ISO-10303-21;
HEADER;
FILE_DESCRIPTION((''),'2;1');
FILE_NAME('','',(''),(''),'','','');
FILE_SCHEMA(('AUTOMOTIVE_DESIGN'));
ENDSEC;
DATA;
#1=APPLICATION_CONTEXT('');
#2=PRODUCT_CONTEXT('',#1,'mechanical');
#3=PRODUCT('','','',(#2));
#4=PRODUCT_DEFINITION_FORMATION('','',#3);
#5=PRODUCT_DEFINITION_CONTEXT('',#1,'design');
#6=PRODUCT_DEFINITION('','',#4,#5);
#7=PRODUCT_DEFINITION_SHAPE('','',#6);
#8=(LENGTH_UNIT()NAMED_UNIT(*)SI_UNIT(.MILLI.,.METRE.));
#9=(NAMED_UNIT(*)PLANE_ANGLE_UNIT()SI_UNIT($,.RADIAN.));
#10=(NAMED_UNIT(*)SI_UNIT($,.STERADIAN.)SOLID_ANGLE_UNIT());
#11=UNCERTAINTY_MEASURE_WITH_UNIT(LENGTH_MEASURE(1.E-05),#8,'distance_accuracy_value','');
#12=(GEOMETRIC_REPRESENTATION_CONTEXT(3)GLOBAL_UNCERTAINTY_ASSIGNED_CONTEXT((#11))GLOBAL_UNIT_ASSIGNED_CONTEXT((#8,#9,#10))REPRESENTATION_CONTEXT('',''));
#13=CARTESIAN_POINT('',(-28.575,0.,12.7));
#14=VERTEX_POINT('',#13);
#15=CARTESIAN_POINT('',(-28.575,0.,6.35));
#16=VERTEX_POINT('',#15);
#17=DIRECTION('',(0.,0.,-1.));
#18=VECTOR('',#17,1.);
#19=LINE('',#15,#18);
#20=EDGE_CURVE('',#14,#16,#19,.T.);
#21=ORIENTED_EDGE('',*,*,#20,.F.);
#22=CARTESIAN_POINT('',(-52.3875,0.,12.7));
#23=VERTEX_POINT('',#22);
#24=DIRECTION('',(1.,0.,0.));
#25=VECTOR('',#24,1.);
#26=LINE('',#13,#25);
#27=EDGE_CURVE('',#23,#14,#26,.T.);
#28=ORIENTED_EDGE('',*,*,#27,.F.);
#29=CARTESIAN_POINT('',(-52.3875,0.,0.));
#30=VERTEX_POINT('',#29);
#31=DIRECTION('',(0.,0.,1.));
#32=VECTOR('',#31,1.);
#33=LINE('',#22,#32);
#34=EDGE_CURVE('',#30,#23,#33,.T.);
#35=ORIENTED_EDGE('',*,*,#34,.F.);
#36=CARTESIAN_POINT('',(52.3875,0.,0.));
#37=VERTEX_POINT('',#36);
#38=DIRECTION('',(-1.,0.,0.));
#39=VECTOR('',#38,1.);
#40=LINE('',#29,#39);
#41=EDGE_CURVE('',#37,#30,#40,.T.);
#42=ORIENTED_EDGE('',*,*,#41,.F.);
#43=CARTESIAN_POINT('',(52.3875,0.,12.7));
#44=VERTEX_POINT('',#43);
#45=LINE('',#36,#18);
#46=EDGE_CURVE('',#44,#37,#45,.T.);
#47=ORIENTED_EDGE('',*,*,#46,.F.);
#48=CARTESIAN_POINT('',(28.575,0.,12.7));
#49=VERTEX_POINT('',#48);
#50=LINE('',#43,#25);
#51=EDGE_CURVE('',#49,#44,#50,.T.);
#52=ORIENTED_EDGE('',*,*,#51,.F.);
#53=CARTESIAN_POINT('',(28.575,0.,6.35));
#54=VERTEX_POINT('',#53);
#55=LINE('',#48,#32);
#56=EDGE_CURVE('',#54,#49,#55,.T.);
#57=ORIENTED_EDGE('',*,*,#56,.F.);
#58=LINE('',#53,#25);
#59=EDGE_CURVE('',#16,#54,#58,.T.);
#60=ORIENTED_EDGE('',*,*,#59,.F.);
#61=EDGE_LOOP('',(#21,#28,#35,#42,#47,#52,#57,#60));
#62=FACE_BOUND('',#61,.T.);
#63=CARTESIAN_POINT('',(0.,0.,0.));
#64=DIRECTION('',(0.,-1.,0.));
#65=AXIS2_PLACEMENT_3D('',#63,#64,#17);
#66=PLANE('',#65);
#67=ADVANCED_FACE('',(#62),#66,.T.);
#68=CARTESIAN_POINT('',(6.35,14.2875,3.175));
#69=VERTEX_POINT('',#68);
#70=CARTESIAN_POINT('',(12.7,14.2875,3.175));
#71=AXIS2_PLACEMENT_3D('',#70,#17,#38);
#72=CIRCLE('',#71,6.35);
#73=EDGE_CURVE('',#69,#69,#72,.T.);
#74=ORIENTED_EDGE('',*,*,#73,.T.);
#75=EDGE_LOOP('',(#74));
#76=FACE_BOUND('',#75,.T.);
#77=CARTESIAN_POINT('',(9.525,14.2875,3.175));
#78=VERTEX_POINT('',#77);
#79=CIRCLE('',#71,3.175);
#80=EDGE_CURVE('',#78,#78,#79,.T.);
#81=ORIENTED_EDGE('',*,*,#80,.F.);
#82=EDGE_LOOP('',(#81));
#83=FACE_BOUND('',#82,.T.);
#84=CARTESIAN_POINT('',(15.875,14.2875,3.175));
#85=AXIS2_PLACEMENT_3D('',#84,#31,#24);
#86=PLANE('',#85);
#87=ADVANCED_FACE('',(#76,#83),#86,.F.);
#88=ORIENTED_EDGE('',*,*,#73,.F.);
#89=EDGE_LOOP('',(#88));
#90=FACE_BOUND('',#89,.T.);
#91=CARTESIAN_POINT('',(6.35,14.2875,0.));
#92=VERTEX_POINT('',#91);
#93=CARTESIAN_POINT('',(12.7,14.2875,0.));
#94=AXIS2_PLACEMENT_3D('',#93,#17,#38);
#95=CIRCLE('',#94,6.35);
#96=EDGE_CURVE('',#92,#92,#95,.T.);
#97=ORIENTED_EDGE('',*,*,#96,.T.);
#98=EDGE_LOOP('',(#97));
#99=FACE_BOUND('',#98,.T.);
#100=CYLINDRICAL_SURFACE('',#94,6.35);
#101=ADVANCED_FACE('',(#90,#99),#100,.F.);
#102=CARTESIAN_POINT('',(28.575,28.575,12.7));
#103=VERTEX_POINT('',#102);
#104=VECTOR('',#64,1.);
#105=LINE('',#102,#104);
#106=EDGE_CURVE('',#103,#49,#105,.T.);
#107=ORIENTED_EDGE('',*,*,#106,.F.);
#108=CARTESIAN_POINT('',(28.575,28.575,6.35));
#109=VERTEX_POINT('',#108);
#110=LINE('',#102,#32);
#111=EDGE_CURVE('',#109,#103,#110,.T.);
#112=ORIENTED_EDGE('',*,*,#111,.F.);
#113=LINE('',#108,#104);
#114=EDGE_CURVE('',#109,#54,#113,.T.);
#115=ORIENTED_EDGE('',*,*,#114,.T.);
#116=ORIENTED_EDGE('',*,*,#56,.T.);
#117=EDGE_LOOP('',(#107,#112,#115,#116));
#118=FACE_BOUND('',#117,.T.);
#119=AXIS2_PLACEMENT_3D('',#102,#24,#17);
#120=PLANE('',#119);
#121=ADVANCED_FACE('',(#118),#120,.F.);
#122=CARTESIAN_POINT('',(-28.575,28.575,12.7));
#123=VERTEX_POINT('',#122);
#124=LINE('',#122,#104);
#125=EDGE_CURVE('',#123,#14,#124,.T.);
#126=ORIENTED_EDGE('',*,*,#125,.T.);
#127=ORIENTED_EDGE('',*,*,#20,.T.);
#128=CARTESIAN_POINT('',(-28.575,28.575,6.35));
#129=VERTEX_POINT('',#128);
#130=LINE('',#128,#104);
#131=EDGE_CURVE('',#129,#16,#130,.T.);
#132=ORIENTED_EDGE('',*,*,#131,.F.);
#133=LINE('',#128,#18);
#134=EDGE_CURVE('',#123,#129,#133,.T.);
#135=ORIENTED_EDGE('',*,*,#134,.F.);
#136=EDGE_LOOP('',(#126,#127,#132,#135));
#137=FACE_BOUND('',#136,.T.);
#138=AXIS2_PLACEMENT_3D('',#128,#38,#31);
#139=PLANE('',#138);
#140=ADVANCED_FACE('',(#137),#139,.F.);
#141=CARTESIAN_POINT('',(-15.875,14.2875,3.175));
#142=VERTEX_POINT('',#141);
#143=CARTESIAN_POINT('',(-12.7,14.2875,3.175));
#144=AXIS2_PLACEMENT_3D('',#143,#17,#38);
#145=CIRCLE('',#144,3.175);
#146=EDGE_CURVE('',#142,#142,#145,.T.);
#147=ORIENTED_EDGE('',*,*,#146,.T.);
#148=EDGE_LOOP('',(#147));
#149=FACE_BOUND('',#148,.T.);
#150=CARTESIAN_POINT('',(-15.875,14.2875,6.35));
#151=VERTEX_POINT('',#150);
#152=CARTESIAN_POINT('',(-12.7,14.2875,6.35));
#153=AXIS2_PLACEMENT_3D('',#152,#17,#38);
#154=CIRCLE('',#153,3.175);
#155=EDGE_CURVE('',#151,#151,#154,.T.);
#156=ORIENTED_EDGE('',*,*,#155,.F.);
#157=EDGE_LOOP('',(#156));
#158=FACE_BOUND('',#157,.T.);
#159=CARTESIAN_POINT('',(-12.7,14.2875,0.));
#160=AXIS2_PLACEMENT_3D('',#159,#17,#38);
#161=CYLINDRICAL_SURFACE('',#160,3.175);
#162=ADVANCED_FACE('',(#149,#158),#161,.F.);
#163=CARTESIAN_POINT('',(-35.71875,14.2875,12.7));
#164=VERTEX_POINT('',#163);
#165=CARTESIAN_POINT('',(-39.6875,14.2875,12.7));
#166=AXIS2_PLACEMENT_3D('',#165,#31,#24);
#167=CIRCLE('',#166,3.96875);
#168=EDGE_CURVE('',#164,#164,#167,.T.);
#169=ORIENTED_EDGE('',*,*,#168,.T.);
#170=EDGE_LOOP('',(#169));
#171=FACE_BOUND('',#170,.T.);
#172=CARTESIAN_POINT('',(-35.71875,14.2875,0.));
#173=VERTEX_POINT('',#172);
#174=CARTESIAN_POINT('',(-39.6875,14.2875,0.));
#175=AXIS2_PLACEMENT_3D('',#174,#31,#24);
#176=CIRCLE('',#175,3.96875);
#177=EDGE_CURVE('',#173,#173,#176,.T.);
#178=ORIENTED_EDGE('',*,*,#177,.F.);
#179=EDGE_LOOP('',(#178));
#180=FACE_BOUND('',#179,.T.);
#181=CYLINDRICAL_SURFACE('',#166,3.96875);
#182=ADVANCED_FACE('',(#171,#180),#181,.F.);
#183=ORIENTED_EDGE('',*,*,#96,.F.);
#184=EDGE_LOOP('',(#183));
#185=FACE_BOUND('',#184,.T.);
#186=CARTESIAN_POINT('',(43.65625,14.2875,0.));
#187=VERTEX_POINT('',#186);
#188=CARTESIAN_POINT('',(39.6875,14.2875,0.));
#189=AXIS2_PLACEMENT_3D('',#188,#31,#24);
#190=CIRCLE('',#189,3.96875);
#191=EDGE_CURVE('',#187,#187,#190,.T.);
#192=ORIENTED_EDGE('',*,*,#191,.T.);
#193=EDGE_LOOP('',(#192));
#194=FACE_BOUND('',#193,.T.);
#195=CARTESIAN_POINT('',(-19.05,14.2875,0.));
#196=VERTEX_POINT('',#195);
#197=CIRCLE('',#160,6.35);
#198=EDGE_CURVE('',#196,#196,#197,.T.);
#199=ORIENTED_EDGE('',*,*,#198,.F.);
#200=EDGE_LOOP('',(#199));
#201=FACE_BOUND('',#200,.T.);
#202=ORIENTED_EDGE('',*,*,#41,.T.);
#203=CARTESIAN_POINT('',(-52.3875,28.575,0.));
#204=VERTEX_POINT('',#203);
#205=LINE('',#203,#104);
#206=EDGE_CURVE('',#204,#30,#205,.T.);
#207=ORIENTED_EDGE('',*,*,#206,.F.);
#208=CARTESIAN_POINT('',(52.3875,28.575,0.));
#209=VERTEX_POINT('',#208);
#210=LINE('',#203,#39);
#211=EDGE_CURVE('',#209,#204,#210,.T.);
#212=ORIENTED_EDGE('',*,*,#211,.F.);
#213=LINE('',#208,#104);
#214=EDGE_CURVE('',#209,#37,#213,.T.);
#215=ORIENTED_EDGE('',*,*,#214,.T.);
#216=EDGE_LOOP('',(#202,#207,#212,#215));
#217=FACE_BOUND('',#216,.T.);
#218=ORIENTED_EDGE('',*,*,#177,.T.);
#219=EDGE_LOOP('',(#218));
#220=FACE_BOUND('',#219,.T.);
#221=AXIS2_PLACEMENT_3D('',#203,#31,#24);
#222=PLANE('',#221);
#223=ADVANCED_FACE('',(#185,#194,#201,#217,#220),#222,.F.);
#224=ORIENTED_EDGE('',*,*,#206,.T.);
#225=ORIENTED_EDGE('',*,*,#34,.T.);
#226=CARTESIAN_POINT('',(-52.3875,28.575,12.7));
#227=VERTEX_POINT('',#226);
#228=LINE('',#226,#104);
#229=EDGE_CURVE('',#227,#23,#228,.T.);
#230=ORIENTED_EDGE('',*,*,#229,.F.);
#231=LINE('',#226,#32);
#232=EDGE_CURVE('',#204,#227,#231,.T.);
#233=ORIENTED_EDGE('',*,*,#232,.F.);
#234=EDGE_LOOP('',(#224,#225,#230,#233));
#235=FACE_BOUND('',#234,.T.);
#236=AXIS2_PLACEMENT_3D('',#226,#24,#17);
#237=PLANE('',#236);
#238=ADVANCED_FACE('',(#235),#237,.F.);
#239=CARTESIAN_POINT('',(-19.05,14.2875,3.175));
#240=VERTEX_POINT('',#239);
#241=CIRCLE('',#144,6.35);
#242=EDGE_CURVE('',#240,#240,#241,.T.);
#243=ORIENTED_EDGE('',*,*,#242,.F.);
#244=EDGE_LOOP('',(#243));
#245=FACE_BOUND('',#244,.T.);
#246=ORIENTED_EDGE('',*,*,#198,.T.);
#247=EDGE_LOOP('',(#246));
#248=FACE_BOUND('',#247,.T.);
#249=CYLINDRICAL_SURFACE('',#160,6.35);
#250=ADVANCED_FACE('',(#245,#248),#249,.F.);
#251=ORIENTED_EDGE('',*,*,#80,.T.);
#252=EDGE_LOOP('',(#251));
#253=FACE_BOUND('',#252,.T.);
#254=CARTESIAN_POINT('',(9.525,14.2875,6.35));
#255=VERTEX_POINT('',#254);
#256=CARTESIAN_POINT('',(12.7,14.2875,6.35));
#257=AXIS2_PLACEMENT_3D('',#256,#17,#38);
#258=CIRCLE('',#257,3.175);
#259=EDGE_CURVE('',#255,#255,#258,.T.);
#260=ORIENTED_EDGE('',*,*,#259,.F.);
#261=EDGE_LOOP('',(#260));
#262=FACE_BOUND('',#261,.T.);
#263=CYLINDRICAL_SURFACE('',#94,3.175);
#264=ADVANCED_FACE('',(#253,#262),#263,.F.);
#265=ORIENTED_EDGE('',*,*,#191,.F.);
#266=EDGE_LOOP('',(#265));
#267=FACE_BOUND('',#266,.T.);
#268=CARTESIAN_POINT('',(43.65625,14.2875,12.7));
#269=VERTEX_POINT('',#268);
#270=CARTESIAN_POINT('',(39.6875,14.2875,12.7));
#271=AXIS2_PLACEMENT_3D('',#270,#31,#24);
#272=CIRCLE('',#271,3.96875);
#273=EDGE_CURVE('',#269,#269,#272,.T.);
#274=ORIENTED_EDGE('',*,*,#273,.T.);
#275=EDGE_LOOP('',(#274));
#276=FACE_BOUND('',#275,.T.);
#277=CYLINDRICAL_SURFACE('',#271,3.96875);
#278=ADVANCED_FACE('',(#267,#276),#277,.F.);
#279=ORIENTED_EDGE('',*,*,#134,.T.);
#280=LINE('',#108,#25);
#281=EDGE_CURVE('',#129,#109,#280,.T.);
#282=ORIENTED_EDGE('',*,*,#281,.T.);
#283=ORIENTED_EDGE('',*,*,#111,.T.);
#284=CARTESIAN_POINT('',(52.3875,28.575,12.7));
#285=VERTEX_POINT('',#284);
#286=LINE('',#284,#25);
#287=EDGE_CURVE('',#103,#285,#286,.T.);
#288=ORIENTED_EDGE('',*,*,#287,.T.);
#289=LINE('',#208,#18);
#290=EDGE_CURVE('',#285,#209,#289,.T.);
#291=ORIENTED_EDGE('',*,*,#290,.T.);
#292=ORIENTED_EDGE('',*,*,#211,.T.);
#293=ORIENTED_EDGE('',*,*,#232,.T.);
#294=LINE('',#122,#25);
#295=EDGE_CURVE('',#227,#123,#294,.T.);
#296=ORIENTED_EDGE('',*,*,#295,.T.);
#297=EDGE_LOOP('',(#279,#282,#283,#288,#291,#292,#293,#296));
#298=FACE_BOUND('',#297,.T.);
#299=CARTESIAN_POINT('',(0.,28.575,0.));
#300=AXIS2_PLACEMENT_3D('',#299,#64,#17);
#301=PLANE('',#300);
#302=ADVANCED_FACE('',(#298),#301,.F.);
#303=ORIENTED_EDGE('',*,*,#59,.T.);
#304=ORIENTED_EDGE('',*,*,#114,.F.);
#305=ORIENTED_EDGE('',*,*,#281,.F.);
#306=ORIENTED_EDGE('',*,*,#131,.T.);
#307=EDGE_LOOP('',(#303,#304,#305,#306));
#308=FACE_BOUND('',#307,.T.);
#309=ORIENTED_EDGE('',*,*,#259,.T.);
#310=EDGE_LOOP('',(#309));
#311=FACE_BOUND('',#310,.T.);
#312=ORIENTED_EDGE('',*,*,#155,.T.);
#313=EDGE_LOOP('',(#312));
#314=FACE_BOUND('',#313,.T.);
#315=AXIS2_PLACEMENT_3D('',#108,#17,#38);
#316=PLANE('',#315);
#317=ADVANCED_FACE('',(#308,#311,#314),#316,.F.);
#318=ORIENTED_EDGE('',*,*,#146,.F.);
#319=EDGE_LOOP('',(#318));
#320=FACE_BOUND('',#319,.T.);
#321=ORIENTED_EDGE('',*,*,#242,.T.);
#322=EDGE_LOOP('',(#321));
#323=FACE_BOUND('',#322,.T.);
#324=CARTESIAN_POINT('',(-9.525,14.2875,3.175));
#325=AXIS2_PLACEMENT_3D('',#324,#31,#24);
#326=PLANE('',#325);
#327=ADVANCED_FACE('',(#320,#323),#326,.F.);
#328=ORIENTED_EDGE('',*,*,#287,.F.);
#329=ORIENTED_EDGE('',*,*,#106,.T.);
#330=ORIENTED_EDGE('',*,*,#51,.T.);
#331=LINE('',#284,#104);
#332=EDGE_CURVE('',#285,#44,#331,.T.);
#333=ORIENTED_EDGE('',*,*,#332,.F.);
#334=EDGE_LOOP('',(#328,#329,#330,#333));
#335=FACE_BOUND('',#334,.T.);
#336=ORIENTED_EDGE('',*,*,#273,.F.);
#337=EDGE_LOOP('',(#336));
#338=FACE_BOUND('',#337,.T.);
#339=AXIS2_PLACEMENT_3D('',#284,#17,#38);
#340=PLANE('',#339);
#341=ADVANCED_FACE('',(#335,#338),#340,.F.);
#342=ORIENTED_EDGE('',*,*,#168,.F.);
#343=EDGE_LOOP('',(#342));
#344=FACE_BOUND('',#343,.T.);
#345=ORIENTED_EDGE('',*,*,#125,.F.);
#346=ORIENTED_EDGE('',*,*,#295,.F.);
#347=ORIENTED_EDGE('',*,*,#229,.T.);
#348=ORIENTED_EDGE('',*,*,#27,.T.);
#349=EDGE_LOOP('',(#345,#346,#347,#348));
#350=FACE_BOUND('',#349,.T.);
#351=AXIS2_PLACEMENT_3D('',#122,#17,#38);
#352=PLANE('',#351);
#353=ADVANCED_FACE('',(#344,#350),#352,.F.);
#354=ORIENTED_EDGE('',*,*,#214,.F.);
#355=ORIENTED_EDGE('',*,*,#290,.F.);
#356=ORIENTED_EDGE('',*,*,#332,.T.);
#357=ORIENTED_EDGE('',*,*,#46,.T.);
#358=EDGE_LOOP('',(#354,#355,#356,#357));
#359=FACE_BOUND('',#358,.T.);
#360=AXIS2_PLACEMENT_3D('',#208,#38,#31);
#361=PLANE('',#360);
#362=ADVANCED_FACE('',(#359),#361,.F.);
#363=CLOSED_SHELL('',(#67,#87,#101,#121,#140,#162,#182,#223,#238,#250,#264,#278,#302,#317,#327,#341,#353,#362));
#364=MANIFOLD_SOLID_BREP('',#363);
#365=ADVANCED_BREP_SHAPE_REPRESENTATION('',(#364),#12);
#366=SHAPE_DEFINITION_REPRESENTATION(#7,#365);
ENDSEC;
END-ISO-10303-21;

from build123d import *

# Parameters (mm, degrees)
BOSS_EXTRUDE1_DEPTH            = 28.575
HOLE1_D                        = 6.35
HOLE1_DEPTH                    = 12.7
HOLE1_CBORE_D                  = 12.7
HOLE1_CBORE_DEPTH              = 3.175
HOLE1_TIP                      = 1.907732465
F_5_16_0_3125_DIAMETER_HOLE1_D = 7.9375


with BuildPart() as part:
    # Sketch1 → Boss-Extrude1 (new body)
    with BuildSketch(Plane(origin=(0, 0, 0), x_dir=(1, 0, 0), z_dir=(0, 1, 0))):
        Polygon((-52.3875, 0), (52.3875, 0), (52.3875, -12.7), (28.575, -12.7), (28.575, -6.35), (-28.575, -6.35), (-28.575, -12.7), (-52.3875, -12.7), align=None)
    extrude(amount=BOSS_EXTRUDE1_DEPTH)

    # Hole1
    with Locations(Plane(origin=(0, 0, 0), x_dir=(-1, 0, 0), z_dir=(0, 0, -1))):
        with Locations((-12.7, 14.2875), (12.7, 14.2875)):
            CounterBoreHole(HOLE1_D / 2, HOLE1_CBORE_D / 2, HOLE1_CBORE_DEPTH, depth=HOLE1_DEPTH)
            with Locations((0, 0, -(HOLE1_DEPTH + HOLE1_TIP / 2))):  # 118° drill point
                Cone(0, HOLE1_D / 2, HOLE1_TIP, mode=Mode.SUBTRACT)

    # 5/16 (0.3125) Diameter Hole1 (through all)
    with Locations(Plane.XY.offset(12.7)):
        with Locations((-39.6875, 14.2875), (39.6875, 14.2875)):
            Hole(F_5_16_0_3125_DIAMETER_HOLE1_D / 2)


solid = part.part
